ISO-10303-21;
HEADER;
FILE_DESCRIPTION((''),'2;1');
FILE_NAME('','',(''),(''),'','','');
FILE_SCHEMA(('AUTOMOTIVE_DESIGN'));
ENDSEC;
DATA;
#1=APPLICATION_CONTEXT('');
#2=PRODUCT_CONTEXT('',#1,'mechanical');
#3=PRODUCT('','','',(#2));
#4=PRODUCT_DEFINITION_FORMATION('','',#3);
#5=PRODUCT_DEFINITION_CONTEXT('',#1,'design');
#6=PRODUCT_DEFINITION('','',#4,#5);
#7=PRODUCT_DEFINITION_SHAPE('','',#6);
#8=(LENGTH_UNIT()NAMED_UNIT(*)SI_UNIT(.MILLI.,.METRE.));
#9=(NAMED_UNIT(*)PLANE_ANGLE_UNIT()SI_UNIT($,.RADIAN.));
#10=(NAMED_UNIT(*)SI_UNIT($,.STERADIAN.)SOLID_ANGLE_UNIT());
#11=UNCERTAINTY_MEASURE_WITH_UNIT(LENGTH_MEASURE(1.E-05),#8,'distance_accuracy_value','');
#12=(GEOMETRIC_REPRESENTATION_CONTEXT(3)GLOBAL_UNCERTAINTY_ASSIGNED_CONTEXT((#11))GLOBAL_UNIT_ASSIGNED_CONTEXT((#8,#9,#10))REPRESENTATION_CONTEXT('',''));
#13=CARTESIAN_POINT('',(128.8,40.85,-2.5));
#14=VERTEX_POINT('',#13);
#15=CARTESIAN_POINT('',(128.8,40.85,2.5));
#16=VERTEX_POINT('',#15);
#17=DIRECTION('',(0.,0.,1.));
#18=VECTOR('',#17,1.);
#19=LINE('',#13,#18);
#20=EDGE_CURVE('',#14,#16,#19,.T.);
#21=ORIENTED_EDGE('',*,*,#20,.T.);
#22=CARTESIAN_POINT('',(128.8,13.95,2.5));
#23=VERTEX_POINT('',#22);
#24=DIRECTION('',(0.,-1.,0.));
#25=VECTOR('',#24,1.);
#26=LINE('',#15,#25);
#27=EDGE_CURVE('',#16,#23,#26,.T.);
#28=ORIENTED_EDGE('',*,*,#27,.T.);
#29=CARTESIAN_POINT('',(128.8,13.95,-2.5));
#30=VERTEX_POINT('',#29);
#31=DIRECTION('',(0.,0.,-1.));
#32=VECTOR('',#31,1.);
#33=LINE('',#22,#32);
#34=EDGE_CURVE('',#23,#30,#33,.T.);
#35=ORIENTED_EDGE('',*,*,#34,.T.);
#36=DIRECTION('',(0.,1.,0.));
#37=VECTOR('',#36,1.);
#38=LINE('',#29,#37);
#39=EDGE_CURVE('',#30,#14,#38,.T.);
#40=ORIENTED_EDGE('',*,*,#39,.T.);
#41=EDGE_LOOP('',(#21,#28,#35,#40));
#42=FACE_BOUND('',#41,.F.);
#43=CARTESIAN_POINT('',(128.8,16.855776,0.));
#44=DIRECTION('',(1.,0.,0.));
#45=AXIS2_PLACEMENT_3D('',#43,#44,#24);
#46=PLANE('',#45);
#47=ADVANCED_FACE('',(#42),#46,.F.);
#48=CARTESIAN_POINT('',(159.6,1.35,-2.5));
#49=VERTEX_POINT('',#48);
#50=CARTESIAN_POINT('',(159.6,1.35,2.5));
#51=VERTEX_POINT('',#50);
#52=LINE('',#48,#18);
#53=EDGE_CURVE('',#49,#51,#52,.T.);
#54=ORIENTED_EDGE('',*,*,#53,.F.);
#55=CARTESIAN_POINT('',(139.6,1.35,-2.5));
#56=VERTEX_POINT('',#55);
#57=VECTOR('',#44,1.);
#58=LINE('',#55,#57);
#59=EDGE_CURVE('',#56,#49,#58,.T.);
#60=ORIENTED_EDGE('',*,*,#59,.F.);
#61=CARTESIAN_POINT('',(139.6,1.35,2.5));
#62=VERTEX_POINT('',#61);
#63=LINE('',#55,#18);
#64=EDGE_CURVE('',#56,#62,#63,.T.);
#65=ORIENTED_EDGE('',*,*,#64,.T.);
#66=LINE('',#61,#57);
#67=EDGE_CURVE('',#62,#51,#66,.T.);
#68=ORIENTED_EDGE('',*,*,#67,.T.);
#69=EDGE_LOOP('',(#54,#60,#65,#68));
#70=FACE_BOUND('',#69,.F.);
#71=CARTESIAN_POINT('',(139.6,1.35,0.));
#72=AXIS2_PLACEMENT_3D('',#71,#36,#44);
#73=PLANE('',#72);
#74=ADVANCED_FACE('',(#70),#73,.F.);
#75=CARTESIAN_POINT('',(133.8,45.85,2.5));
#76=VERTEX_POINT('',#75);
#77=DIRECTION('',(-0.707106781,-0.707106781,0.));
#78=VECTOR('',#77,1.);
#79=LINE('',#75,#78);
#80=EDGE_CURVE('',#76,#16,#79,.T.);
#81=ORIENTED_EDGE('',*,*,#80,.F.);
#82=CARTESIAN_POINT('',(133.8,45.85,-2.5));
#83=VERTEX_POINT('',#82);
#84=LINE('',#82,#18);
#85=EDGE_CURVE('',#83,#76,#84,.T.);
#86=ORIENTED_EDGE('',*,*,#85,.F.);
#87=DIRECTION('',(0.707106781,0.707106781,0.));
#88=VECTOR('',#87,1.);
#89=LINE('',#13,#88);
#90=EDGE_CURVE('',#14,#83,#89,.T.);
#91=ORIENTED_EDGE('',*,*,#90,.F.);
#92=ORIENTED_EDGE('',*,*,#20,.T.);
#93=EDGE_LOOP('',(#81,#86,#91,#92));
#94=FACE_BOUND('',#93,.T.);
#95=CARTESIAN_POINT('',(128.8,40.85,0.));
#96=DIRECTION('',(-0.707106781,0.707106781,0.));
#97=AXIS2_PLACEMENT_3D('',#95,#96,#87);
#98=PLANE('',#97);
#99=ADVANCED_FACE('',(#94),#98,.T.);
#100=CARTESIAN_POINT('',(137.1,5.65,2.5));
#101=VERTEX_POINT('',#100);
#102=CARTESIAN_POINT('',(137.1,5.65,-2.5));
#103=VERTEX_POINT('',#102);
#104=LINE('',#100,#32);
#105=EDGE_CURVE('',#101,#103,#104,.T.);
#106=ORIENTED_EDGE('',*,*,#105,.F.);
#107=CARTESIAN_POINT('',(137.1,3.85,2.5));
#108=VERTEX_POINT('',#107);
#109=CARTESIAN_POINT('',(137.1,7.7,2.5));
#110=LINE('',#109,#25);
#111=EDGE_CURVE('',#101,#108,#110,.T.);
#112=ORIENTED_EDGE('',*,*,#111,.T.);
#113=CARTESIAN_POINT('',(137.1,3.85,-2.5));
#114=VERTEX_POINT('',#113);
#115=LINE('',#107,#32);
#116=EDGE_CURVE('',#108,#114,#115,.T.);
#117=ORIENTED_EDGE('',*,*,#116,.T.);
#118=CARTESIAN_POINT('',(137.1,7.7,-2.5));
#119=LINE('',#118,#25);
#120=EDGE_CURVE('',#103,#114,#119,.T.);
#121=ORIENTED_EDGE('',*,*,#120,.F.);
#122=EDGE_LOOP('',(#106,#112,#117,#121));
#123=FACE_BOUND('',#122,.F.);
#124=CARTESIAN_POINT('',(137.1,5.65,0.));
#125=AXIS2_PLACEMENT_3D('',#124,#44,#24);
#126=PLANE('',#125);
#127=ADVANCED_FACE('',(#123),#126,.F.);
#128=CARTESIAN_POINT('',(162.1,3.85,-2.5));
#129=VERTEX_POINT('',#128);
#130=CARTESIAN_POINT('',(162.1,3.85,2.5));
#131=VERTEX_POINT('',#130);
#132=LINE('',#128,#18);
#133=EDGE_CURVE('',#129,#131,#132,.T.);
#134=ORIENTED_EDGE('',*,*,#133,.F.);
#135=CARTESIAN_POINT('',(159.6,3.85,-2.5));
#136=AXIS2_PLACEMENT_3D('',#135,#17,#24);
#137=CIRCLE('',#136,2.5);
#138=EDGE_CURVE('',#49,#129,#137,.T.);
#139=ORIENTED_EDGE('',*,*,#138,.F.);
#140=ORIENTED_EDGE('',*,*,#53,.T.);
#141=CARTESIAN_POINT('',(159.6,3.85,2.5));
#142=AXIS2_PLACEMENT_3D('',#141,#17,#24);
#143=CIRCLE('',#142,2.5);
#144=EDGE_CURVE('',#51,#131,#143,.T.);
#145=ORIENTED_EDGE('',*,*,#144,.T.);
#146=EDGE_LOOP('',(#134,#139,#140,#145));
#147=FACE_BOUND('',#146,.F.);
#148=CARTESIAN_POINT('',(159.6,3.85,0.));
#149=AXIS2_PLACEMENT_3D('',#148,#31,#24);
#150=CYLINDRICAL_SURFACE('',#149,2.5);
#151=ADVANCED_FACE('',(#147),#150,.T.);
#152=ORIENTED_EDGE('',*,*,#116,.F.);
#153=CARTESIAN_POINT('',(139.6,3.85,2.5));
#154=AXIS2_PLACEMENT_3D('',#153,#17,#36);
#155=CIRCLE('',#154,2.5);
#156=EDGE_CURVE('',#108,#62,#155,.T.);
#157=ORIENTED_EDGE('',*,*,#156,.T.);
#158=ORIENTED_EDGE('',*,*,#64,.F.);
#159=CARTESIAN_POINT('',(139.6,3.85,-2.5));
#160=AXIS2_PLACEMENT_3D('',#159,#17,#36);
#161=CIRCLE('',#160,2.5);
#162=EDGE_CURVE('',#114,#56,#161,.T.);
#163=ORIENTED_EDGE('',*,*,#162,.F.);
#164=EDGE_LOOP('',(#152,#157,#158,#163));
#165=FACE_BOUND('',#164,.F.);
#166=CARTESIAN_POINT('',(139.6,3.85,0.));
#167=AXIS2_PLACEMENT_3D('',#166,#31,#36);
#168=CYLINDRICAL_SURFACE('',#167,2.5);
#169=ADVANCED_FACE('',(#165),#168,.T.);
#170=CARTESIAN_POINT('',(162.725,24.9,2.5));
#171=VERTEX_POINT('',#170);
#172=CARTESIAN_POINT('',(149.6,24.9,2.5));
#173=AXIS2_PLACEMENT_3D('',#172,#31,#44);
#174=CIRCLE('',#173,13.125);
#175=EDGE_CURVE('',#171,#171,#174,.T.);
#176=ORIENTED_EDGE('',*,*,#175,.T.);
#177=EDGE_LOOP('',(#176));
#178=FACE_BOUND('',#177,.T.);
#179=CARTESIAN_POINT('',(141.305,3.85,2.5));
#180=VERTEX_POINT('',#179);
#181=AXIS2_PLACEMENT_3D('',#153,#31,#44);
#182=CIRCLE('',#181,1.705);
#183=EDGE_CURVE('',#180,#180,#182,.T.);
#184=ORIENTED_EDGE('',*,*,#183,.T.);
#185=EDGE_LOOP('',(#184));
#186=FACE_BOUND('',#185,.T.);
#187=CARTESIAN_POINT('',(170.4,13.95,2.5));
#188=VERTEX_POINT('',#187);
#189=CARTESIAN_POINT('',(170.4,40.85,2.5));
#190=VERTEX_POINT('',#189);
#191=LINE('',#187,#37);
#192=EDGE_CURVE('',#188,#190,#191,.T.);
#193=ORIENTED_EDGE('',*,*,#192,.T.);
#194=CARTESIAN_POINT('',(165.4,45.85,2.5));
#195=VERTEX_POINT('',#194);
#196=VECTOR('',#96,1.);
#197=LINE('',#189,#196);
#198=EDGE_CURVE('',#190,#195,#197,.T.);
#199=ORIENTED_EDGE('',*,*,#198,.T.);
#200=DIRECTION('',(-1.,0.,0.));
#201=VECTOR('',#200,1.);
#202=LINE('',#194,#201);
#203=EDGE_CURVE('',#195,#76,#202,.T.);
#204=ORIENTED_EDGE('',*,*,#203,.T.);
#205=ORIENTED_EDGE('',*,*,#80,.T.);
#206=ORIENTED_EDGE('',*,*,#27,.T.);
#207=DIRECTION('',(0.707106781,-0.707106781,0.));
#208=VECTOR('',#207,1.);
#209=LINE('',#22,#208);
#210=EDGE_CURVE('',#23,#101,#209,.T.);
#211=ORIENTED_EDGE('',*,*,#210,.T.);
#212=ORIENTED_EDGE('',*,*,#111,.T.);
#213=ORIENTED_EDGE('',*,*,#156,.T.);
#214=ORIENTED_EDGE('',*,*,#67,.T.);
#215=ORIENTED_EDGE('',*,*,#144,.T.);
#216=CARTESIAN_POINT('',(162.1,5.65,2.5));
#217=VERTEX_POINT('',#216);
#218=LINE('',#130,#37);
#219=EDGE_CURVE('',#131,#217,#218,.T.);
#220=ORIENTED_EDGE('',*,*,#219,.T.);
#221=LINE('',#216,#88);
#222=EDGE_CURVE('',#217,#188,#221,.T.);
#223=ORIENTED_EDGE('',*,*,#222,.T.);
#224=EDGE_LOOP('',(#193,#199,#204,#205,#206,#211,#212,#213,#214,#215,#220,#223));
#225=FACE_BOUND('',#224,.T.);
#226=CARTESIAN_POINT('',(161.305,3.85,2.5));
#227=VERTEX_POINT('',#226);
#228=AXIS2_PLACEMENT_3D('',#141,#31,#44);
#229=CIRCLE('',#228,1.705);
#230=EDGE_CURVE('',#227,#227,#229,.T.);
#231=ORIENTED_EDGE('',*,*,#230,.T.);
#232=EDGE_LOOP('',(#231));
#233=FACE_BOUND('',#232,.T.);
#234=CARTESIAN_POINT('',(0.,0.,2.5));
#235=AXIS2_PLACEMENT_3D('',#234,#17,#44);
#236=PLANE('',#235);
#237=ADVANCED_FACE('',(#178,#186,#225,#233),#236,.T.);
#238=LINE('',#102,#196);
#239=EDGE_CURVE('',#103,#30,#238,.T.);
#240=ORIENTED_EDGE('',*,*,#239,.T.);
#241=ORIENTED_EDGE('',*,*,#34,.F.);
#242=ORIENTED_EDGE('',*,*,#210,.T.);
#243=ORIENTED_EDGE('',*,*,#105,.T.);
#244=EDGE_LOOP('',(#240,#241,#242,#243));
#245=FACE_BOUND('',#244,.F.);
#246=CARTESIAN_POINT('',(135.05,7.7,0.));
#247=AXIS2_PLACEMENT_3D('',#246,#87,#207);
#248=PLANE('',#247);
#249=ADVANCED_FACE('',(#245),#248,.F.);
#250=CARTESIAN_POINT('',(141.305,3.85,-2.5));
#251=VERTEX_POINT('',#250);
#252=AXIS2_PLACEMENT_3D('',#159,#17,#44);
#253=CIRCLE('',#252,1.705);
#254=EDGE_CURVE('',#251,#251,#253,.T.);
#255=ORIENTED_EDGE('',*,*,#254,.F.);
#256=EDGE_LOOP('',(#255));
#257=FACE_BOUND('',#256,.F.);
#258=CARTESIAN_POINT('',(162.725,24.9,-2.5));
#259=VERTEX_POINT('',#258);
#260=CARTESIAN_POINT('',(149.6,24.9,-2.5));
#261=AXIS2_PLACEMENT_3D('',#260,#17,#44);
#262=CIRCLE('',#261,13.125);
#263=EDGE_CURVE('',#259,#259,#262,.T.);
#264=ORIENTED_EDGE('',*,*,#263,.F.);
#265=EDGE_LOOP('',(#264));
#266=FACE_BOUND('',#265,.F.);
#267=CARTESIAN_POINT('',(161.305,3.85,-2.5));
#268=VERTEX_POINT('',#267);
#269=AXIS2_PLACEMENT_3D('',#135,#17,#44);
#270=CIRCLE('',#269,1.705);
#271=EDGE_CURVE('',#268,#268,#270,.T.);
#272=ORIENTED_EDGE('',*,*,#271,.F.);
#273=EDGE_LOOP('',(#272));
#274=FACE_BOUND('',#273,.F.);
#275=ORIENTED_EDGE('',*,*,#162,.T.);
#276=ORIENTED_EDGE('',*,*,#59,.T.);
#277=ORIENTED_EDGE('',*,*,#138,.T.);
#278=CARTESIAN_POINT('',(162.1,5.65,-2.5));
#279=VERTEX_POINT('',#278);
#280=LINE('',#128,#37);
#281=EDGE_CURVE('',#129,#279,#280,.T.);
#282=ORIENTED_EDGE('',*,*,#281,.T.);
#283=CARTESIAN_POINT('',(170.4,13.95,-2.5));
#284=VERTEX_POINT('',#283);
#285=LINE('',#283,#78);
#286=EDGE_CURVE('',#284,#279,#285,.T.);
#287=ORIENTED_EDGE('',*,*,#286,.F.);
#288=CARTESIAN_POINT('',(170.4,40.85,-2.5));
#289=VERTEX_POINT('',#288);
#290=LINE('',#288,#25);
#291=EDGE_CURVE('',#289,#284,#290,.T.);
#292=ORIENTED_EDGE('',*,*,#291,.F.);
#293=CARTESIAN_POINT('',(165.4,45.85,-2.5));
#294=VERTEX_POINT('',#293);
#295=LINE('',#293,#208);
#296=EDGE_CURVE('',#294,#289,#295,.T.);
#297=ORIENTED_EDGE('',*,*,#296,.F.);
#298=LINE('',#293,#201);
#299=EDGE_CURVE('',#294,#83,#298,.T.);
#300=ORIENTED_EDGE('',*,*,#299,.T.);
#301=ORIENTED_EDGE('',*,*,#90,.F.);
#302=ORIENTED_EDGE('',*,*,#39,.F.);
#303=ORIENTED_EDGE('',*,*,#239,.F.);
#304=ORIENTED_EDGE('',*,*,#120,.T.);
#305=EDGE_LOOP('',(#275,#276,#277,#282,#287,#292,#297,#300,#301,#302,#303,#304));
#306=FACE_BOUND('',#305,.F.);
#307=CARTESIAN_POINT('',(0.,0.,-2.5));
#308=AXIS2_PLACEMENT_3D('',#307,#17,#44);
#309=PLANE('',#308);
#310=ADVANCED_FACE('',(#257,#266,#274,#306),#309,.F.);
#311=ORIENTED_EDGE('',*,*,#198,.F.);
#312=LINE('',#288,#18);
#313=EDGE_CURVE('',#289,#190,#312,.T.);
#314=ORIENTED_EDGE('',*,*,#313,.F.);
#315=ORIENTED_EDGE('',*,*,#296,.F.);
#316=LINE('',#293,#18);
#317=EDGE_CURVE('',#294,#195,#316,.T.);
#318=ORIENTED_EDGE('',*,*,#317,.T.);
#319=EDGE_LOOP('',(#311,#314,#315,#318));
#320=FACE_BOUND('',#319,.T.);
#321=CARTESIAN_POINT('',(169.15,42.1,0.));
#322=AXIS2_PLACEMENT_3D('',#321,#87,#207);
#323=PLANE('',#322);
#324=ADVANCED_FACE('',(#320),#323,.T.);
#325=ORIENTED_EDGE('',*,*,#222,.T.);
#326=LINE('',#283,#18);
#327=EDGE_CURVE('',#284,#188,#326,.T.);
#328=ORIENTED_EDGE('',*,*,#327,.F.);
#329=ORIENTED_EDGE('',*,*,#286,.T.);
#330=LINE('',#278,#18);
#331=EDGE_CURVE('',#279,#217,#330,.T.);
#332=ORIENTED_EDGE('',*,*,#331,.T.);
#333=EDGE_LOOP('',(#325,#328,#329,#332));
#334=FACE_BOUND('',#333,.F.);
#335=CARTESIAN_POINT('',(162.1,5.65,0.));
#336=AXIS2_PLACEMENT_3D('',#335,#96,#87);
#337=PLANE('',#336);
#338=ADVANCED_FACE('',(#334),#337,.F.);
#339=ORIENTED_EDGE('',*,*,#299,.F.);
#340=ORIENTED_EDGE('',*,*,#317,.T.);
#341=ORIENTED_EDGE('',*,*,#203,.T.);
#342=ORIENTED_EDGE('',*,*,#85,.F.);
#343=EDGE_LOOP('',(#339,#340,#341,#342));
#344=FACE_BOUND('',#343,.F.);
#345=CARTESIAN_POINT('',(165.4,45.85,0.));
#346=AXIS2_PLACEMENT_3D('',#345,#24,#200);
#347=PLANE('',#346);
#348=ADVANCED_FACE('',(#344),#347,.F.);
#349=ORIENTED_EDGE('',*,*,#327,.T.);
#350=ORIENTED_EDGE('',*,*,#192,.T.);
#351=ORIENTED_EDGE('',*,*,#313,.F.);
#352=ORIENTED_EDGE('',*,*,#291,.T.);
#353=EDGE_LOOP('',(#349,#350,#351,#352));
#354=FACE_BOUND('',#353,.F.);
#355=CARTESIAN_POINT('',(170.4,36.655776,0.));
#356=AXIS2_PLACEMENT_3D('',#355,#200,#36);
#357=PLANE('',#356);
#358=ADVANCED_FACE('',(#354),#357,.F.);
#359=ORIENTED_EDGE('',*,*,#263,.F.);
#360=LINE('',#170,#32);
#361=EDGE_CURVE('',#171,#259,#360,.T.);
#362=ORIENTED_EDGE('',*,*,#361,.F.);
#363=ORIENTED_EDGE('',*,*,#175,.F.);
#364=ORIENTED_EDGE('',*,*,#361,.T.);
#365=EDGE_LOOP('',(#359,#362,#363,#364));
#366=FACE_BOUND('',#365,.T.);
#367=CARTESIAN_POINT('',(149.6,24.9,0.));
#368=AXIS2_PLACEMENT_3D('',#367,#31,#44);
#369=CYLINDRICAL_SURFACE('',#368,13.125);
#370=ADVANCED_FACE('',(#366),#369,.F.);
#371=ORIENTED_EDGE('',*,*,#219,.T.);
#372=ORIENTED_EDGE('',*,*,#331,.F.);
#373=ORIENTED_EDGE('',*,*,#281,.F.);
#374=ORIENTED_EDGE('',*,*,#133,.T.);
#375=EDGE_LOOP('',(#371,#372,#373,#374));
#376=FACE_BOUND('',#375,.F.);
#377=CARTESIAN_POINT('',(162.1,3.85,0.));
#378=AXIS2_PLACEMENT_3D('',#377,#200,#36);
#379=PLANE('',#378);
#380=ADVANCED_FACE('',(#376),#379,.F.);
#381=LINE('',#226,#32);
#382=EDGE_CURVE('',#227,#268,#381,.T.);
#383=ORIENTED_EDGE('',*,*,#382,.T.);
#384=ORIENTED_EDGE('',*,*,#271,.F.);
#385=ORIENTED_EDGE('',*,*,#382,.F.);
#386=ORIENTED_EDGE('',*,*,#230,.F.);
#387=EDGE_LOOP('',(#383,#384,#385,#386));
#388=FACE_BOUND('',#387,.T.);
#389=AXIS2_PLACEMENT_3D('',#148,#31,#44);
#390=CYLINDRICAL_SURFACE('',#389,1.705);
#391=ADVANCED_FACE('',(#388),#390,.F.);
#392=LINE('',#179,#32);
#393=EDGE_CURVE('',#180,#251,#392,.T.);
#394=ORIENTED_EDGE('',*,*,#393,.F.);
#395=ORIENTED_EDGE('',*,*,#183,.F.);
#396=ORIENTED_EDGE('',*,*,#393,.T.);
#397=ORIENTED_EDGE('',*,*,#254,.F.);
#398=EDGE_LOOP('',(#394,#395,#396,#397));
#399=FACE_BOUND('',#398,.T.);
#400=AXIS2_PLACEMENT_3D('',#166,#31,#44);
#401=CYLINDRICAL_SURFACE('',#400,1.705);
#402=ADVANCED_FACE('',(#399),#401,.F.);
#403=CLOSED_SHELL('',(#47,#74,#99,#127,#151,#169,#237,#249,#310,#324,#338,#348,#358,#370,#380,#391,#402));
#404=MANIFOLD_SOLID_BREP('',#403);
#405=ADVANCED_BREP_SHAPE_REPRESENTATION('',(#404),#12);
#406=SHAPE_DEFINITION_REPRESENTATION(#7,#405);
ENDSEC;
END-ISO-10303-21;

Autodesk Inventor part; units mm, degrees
ref_plane "YZ Plane" through (0, 0, 0) normal (1, 0, 0) x (0, 1, 0)
ref_plane "XZ Plane" through (0, 0, 0) normal (0, 1, 0) x (-1, 0, 0)
ref_plane "XY Plane" through (0, 0, 0) normal (0, 0, 1) x (1, 0, 0)
sketch "Sketch1" plane through (0, 0, 0) normal (0, 0, 1) x (1, 0, 0)
  line L0 (139.6, 3.85) -> (159.6, 3.85) construction
  line L1 (139.6, 1.35) -> (159.6, 1.35)
  line L2 (159.6, 6.35) -> (139.6, 6.35)
  arc A0 (139.6, 6.35) -> (139.6, 1.35) centre (139.6, 3.85) ccw
  arc A1 (159.6, 1.35) -> (159.6, 6.35) centre (159.6, 3.85) ccw
  line L3 (137.1, 3.85) -> (162.1, 3.85)
  line L4 (162.1, 3.85) -> (162.1, 7.7)
  line L5 (162.1, 7.7) -> (137.1, 7.7)
  line L6 (137.1, 7.7) -> (137.1, 3.85)
  line L7 (132.55, 42.1) -> (166.65, 42.1)
  line L8 (166.65, 42.1) -> (166.65, 7.7)
  line L9 (166.65, 7.7) -> (132.55, 7.7)
  line L10 (132.55, 7.7) -> (132.55, 42.1)
  line L11 (165.4, 45.85) -> (133.8, 45.85)
  line L12 (128.8, 40.85) -> (128.8, 13.95)
  line L13 (138.8, 3.95) -> (160.4, 3.95)
  line L14 (170.4, 13.95) -> (170.4, 40.85)
  line L15 (128.8, 40.85) -> (133.8, 45.85)
  line L16 (165.4, 45.85) -> (170.4, 40.85)
  line L17 (128.8, 13.95) -> (138.8, 3.95)
  line L18 (160.4, 3.95) -> (170.4, 13.95)
  line L19 (132.55, 24.9) -> (166.65, 24.9)
  circle A2 centre (149.6, 24.9) radius 13.125
  circle A3 centre (139.6, 3.85) radius 1.705
  circle A4 centre (159.6, 3.85) radius 1.705
  line L20 (172.5, 0.025) -> (126.7, 0.025) projected
  line L21 (172.5, 42.1) -> (172.5, 0.025) projected
  line L22 (172.5, 42.1) -> (166.65, 42.1) projected
  line L23 (166.65, 7.7) -> (166.65, 42.1) projected
  line L24 (132.55, 7.7) -> (166.65, 7.7) projected
  line L25 (132.55, 7.7) -> (132.55, 42.1) projected
  line L26 (132.55, 42.1) -> (126.7, 42.1) projected
  line L27 (126.7, 0.025) -> (126.7, 42.1) projected
  circle A5 centre (169.5, 34.8) radius 2.0625 projected
  circle A6 centre (129.7, 34.8) radius 2.0625 projected
  circle A7 centre (169.5, 15) radius 2.0625 projected
  circle A8 centre (129.7, 15) radius 2.0625 projected
  circle A9 centre (159.6, 3.85) radius 1.5625 projected
  circle A10 centre (139.6, 3.85) radius 1.5625 projected
  point P0 (0, 0)
  point P1 (149.6, 3.85)
  point P2 (170.4, 45.85)
  point P3 (128.8, 45.85)
  point P4 (128.8, 3.95)
  point P5 (170.4, 3.95)
  point P6 (137.5172, 5.2328)
  point P7 (161.6828, 5.2328)
  point P8 (162.1, 5.65)
  point P9 (162.1, 3.85)
  point P10 (137.1, 5.65)
  dimension "d0" = 5
  dimension "d1" = 25
  dimension "d2" = 3.75
  dimension "d3" = 5
  dimension "d4" = 5
  dimension "d5" = 5
  dimension "d6" = 5
  dimension "d7" = 10
  dimension "d8" = 10
  dimension "d9" = 10
  dimension "d10" = 10
  dimension "d11" = 26.25
  dimension "d16" = 0.1425
  dimension "d17" = 0.1425
extrude "Extrusion1" add sketch "Sketch1" along normal mid plane 5 contours A0 L3 A3 A4 A1 L1 | L6 L17 A0 | A0 L17 A3 L3 | L3 A4 L18 A1 | A1 L18 L4 | L17 L6 L5 L4 L18 A1 L2 A0 | A0 L2 A1 L18 A4 L13 A3 L17 | L17 L9 L6 | L4 L9 L18 | A3 L13 A4 L3 | L9 L17 L10 L19 A2 L8 L18 L5 | L17 A8 L12 A6 L15 L26 L10 | L8 L22 L16 L14 A5 A7 L18 | L10 L7 L8 L19 A2 | L17 L12 A8 | A7 L14 L18 | L26 L15 L11 L16 L22 L7 | L12 A6 | A5 L14 picked at (130.3651, 15.6172) picked at (169.0173, 15.7688) picked at (129.7875, 34.8) picked at (169.4174, 34.7184)
equation "\"d4\" = d3"
equation "\"d5\" = d3"
equation "\"d6\" = d5"
equation "\"d8\" = d7"
equation "\"d9\" = d7"
equation "\"d10\" = d9"
properties part number "Filter Mount (SM1)"
